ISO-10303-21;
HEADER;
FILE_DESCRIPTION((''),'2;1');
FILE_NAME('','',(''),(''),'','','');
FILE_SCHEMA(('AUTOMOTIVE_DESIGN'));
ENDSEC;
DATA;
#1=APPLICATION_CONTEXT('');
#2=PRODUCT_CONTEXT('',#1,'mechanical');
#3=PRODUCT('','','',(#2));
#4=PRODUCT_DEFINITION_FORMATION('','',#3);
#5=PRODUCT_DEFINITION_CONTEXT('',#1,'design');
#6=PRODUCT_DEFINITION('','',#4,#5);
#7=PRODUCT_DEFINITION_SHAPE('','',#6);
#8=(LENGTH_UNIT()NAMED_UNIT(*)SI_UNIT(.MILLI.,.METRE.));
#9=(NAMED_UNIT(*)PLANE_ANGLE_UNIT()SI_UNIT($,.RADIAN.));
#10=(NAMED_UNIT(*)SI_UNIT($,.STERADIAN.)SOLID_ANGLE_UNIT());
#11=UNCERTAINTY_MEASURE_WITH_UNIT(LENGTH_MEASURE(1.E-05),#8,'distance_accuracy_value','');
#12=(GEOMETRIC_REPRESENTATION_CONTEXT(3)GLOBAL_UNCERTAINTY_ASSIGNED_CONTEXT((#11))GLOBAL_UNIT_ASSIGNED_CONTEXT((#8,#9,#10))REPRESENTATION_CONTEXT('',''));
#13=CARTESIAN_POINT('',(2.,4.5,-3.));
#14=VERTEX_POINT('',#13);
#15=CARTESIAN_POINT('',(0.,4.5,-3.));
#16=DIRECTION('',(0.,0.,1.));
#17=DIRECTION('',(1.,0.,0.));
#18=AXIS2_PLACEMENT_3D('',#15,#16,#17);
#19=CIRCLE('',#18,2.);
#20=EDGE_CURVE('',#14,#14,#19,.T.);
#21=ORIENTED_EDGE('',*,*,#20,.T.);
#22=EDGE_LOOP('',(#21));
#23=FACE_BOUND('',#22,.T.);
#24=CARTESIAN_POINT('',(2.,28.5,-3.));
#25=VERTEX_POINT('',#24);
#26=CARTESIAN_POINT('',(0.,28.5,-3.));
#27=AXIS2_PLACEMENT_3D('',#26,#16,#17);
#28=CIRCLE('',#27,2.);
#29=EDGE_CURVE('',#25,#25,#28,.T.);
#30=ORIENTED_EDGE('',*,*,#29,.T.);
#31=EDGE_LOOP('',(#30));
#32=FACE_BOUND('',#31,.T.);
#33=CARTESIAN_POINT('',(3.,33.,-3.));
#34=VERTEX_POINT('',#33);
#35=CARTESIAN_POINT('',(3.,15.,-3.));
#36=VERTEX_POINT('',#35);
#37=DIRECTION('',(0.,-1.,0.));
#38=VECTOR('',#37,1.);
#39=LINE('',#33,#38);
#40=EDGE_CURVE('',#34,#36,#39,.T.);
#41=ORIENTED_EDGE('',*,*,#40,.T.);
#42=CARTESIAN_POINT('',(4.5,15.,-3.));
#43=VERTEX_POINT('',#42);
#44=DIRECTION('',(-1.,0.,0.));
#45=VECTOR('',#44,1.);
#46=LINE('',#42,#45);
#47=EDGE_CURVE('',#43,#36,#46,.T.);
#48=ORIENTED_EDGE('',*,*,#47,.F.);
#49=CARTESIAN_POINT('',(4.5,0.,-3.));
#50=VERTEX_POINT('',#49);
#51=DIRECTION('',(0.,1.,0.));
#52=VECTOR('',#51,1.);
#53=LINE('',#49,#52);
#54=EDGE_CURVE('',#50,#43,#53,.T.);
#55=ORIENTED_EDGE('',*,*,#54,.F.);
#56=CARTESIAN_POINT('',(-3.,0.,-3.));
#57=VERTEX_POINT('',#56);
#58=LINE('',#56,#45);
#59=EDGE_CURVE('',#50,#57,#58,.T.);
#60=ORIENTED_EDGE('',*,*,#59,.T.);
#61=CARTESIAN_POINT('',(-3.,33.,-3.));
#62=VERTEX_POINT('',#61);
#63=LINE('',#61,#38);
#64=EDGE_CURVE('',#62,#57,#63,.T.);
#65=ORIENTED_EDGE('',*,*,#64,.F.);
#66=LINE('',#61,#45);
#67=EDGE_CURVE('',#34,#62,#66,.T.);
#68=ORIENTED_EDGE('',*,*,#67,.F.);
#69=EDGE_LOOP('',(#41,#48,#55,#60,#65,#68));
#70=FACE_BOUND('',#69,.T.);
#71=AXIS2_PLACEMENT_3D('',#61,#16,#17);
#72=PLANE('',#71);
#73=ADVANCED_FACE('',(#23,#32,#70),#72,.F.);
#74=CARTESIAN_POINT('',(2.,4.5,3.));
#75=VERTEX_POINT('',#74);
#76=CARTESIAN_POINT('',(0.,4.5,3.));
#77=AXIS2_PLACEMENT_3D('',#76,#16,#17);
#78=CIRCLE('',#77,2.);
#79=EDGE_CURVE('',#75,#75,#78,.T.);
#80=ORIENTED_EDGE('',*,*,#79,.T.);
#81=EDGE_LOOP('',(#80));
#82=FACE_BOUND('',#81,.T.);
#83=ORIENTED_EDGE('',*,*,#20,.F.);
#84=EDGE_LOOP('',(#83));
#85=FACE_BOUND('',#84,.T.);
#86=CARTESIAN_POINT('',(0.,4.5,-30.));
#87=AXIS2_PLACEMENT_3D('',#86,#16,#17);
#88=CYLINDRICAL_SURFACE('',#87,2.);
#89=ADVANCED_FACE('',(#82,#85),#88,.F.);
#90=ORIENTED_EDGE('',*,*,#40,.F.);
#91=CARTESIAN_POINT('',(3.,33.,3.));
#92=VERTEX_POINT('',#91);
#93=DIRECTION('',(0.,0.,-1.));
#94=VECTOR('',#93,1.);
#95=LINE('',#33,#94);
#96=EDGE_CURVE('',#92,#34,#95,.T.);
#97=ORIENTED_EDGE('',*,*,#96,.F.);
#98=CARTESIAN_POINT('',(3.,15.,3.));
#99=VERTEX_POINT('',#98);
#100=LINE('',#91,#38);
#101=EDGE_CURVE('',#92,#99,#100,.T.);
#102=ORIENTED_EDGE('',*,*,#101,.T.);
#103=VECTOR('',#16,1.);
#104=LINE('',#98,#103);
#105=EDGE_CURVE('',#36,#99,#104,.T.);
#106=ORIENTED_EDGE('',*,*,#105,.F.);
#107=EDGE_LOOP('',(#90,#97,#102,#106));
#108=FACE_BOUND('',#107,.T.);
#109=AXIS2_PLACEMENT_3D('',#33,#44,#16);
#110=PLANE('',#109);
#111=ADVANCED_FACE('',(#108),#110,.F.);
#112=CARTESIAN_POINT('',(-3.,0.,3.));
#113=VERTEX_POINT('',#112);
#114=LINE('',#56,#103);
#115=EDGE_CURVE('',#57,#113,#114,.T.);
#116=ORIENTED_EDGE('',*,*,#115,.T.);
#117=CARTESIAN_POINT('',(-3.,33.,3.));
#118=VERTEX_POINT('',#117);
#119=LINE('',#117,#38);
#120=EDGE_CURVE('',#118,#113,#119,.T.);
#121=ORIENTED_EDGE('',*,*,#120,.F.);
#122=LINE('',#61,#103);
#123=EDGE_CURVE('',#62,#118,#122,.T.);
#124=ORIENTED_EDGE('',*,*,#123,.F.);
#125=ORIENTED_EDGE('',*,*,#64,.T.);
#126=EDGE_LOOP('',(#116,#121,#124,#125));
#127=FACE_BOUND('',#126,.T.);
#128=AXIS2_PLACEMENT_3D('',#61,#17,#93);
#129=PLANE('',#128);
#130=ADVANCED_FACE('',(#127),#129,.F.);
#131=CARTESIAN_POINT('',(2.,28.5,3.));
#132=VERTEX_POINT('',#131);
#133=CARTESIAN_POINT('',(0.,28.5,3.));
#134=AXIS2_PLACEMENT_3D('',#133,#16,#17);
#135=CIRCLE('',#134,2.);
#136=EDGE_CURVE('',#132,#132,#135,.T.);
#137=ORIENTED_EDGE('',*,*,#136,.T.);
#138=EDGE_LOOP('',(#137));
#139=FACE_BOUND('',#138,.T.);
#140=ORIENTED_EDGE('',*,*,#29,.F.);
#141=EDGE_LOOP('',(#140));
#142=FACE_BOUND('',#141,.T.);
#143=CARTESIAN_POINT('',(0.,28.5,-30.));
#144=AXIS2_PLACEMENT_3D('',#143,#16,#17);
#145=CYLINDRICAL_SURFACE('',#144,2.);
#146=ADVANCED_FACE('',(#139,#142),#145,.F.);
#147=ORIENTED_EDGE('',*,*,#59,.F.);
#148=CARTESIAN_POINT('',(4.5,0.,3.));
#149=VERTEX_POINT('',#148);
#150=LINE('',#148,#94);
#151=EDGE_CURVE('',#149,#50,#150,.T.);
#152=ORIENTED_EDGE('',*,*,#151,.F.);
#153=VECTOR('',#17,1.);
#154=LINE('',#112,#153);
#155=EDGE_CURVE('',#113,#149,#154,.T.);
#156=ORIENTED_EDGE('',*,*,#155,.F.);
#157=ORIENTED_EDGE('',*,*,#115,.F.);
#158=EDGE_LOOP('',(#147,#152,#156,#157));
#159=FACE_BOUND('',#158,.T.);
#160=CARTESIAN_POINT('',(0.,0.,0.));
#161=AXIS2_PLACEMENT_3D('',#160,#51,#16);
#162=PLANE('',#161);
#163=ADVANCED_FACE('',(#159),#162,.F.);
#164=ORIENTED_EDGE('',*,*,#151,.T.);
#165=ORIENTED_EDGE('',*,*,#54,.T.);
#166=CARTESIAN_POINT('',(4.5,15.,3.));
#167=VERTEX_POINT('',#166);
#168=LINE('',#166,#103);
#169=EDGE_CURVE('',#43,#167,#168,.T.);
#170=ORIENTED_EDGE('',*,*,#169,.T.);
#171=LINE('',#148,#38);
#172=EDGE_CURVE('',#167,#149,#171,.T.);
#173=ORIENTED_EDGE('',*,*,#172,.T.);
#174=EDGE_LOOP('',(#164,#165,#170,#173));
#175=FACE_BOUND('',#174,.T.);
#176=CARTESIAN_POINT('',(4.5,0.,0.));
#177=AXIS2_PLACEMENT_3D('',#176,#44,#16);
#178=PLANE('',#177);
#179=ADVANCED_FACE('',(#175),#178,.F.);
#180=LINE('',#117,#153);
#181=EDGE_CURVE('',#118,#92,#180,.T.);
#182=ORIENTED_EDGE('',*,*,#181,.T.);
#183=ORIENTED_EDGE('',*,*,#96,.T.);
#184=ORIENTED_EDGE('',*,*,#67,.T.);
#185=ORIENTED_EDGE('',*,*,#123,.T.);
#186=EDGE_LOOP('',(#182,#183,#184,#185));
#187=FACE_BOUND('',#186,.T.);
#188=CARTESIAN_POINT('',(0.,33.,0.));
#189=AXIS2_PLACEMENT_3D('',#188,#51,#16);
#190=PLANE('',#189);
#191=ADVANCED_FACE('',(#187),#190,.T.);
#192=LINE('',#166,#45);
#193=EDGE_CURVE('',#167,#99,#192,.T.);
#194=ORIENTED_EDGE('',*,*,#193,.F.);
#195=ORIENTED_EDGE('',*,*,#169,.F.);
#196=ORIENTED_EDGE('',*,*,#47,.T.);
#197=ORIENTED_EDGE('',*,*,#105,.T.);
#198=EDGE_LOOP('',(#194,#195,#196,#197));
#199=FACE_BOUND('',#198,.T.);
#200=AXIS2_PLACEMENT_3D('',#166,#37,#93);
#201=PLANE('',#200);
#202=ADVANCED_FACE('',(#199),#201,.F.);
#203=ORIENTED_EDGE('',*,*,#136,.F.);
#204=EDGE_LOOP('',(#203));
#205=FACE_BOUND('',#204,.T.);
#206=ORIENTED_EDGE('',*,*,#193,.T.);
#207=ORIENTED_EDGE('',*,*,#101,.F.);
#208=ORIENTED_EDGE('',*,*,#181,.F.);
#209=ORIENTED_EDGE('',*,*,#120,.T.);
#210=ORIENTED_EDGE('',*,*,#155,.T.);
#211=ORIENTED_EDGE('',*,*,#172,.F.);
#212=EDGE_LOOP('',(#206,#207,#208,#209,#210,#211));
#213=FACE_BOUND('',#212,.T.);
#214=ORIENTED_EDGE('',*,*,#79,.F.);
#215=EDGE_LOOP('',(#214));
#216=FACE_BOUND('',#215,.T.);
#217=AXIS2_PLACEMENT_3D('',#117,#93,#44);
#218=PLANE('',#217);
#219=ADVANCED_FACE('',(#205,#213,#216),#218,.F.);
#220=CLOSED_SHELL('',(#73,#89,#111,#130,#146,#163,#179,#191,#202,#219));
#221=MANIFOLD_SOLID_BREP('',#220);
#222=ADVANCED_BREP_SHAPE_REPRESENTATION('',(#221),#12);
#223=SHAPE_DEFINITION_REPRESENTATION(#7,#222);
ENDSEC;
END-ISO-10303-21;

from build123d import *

# Parameters (mm, degrees)
SKETCH1_W           = 6
SKETCH1_H           = 6
BOSS_EXTRUDE1_DEPTH = 33
SKETCH2_R           = 2
CUT_EXTRUDE1_DEPTH  = 33
SKETCH3_W           = 6
SKETCH3_H           = 15
BOSS_EXTRUDE2_DEPTH = 1.5


with BuildPart() as part:
    # Sketch1 → Boss-Extrude1 (new body)
    with BuildSketch(Plane(origin=(0, 0, 0), x_dir=(1, 0, 0), z_dir=(0, 1, 0))):
        Rectangle(SKETCH1_W, SKETCH1_H)
    extrude(amount=BOSS_EXTRUDE1_DEPTH)

    # Sketch2 → Cut-Extrude1 (cut)
    with BuildSketch(Plane.XY.offset(3)):
        with Locations((0, 28.5)):
            Circle(SKETCH2_R)
        with Locations((0, 4.5)):
            Circle(SKETCH2_R)
    extrude(amount=-CUT_EXTRUDE1_DEPTH, mode=Mode.SUBTRACT)

    # Sketch3 → Boss-Extrude2 (add)
    with BuildSketch(Plane(origin=(3, 0, 0), x_dir=(0, 0, -1), z_dir=(1, 0, 0))):
        with Locations((0, 7.5)):
            Rectangle(SKETCH3_W, SKETCH3_H)
    extrude(amount=BOSS_EXTRUDE2_DEPTH)


solid = part.part
